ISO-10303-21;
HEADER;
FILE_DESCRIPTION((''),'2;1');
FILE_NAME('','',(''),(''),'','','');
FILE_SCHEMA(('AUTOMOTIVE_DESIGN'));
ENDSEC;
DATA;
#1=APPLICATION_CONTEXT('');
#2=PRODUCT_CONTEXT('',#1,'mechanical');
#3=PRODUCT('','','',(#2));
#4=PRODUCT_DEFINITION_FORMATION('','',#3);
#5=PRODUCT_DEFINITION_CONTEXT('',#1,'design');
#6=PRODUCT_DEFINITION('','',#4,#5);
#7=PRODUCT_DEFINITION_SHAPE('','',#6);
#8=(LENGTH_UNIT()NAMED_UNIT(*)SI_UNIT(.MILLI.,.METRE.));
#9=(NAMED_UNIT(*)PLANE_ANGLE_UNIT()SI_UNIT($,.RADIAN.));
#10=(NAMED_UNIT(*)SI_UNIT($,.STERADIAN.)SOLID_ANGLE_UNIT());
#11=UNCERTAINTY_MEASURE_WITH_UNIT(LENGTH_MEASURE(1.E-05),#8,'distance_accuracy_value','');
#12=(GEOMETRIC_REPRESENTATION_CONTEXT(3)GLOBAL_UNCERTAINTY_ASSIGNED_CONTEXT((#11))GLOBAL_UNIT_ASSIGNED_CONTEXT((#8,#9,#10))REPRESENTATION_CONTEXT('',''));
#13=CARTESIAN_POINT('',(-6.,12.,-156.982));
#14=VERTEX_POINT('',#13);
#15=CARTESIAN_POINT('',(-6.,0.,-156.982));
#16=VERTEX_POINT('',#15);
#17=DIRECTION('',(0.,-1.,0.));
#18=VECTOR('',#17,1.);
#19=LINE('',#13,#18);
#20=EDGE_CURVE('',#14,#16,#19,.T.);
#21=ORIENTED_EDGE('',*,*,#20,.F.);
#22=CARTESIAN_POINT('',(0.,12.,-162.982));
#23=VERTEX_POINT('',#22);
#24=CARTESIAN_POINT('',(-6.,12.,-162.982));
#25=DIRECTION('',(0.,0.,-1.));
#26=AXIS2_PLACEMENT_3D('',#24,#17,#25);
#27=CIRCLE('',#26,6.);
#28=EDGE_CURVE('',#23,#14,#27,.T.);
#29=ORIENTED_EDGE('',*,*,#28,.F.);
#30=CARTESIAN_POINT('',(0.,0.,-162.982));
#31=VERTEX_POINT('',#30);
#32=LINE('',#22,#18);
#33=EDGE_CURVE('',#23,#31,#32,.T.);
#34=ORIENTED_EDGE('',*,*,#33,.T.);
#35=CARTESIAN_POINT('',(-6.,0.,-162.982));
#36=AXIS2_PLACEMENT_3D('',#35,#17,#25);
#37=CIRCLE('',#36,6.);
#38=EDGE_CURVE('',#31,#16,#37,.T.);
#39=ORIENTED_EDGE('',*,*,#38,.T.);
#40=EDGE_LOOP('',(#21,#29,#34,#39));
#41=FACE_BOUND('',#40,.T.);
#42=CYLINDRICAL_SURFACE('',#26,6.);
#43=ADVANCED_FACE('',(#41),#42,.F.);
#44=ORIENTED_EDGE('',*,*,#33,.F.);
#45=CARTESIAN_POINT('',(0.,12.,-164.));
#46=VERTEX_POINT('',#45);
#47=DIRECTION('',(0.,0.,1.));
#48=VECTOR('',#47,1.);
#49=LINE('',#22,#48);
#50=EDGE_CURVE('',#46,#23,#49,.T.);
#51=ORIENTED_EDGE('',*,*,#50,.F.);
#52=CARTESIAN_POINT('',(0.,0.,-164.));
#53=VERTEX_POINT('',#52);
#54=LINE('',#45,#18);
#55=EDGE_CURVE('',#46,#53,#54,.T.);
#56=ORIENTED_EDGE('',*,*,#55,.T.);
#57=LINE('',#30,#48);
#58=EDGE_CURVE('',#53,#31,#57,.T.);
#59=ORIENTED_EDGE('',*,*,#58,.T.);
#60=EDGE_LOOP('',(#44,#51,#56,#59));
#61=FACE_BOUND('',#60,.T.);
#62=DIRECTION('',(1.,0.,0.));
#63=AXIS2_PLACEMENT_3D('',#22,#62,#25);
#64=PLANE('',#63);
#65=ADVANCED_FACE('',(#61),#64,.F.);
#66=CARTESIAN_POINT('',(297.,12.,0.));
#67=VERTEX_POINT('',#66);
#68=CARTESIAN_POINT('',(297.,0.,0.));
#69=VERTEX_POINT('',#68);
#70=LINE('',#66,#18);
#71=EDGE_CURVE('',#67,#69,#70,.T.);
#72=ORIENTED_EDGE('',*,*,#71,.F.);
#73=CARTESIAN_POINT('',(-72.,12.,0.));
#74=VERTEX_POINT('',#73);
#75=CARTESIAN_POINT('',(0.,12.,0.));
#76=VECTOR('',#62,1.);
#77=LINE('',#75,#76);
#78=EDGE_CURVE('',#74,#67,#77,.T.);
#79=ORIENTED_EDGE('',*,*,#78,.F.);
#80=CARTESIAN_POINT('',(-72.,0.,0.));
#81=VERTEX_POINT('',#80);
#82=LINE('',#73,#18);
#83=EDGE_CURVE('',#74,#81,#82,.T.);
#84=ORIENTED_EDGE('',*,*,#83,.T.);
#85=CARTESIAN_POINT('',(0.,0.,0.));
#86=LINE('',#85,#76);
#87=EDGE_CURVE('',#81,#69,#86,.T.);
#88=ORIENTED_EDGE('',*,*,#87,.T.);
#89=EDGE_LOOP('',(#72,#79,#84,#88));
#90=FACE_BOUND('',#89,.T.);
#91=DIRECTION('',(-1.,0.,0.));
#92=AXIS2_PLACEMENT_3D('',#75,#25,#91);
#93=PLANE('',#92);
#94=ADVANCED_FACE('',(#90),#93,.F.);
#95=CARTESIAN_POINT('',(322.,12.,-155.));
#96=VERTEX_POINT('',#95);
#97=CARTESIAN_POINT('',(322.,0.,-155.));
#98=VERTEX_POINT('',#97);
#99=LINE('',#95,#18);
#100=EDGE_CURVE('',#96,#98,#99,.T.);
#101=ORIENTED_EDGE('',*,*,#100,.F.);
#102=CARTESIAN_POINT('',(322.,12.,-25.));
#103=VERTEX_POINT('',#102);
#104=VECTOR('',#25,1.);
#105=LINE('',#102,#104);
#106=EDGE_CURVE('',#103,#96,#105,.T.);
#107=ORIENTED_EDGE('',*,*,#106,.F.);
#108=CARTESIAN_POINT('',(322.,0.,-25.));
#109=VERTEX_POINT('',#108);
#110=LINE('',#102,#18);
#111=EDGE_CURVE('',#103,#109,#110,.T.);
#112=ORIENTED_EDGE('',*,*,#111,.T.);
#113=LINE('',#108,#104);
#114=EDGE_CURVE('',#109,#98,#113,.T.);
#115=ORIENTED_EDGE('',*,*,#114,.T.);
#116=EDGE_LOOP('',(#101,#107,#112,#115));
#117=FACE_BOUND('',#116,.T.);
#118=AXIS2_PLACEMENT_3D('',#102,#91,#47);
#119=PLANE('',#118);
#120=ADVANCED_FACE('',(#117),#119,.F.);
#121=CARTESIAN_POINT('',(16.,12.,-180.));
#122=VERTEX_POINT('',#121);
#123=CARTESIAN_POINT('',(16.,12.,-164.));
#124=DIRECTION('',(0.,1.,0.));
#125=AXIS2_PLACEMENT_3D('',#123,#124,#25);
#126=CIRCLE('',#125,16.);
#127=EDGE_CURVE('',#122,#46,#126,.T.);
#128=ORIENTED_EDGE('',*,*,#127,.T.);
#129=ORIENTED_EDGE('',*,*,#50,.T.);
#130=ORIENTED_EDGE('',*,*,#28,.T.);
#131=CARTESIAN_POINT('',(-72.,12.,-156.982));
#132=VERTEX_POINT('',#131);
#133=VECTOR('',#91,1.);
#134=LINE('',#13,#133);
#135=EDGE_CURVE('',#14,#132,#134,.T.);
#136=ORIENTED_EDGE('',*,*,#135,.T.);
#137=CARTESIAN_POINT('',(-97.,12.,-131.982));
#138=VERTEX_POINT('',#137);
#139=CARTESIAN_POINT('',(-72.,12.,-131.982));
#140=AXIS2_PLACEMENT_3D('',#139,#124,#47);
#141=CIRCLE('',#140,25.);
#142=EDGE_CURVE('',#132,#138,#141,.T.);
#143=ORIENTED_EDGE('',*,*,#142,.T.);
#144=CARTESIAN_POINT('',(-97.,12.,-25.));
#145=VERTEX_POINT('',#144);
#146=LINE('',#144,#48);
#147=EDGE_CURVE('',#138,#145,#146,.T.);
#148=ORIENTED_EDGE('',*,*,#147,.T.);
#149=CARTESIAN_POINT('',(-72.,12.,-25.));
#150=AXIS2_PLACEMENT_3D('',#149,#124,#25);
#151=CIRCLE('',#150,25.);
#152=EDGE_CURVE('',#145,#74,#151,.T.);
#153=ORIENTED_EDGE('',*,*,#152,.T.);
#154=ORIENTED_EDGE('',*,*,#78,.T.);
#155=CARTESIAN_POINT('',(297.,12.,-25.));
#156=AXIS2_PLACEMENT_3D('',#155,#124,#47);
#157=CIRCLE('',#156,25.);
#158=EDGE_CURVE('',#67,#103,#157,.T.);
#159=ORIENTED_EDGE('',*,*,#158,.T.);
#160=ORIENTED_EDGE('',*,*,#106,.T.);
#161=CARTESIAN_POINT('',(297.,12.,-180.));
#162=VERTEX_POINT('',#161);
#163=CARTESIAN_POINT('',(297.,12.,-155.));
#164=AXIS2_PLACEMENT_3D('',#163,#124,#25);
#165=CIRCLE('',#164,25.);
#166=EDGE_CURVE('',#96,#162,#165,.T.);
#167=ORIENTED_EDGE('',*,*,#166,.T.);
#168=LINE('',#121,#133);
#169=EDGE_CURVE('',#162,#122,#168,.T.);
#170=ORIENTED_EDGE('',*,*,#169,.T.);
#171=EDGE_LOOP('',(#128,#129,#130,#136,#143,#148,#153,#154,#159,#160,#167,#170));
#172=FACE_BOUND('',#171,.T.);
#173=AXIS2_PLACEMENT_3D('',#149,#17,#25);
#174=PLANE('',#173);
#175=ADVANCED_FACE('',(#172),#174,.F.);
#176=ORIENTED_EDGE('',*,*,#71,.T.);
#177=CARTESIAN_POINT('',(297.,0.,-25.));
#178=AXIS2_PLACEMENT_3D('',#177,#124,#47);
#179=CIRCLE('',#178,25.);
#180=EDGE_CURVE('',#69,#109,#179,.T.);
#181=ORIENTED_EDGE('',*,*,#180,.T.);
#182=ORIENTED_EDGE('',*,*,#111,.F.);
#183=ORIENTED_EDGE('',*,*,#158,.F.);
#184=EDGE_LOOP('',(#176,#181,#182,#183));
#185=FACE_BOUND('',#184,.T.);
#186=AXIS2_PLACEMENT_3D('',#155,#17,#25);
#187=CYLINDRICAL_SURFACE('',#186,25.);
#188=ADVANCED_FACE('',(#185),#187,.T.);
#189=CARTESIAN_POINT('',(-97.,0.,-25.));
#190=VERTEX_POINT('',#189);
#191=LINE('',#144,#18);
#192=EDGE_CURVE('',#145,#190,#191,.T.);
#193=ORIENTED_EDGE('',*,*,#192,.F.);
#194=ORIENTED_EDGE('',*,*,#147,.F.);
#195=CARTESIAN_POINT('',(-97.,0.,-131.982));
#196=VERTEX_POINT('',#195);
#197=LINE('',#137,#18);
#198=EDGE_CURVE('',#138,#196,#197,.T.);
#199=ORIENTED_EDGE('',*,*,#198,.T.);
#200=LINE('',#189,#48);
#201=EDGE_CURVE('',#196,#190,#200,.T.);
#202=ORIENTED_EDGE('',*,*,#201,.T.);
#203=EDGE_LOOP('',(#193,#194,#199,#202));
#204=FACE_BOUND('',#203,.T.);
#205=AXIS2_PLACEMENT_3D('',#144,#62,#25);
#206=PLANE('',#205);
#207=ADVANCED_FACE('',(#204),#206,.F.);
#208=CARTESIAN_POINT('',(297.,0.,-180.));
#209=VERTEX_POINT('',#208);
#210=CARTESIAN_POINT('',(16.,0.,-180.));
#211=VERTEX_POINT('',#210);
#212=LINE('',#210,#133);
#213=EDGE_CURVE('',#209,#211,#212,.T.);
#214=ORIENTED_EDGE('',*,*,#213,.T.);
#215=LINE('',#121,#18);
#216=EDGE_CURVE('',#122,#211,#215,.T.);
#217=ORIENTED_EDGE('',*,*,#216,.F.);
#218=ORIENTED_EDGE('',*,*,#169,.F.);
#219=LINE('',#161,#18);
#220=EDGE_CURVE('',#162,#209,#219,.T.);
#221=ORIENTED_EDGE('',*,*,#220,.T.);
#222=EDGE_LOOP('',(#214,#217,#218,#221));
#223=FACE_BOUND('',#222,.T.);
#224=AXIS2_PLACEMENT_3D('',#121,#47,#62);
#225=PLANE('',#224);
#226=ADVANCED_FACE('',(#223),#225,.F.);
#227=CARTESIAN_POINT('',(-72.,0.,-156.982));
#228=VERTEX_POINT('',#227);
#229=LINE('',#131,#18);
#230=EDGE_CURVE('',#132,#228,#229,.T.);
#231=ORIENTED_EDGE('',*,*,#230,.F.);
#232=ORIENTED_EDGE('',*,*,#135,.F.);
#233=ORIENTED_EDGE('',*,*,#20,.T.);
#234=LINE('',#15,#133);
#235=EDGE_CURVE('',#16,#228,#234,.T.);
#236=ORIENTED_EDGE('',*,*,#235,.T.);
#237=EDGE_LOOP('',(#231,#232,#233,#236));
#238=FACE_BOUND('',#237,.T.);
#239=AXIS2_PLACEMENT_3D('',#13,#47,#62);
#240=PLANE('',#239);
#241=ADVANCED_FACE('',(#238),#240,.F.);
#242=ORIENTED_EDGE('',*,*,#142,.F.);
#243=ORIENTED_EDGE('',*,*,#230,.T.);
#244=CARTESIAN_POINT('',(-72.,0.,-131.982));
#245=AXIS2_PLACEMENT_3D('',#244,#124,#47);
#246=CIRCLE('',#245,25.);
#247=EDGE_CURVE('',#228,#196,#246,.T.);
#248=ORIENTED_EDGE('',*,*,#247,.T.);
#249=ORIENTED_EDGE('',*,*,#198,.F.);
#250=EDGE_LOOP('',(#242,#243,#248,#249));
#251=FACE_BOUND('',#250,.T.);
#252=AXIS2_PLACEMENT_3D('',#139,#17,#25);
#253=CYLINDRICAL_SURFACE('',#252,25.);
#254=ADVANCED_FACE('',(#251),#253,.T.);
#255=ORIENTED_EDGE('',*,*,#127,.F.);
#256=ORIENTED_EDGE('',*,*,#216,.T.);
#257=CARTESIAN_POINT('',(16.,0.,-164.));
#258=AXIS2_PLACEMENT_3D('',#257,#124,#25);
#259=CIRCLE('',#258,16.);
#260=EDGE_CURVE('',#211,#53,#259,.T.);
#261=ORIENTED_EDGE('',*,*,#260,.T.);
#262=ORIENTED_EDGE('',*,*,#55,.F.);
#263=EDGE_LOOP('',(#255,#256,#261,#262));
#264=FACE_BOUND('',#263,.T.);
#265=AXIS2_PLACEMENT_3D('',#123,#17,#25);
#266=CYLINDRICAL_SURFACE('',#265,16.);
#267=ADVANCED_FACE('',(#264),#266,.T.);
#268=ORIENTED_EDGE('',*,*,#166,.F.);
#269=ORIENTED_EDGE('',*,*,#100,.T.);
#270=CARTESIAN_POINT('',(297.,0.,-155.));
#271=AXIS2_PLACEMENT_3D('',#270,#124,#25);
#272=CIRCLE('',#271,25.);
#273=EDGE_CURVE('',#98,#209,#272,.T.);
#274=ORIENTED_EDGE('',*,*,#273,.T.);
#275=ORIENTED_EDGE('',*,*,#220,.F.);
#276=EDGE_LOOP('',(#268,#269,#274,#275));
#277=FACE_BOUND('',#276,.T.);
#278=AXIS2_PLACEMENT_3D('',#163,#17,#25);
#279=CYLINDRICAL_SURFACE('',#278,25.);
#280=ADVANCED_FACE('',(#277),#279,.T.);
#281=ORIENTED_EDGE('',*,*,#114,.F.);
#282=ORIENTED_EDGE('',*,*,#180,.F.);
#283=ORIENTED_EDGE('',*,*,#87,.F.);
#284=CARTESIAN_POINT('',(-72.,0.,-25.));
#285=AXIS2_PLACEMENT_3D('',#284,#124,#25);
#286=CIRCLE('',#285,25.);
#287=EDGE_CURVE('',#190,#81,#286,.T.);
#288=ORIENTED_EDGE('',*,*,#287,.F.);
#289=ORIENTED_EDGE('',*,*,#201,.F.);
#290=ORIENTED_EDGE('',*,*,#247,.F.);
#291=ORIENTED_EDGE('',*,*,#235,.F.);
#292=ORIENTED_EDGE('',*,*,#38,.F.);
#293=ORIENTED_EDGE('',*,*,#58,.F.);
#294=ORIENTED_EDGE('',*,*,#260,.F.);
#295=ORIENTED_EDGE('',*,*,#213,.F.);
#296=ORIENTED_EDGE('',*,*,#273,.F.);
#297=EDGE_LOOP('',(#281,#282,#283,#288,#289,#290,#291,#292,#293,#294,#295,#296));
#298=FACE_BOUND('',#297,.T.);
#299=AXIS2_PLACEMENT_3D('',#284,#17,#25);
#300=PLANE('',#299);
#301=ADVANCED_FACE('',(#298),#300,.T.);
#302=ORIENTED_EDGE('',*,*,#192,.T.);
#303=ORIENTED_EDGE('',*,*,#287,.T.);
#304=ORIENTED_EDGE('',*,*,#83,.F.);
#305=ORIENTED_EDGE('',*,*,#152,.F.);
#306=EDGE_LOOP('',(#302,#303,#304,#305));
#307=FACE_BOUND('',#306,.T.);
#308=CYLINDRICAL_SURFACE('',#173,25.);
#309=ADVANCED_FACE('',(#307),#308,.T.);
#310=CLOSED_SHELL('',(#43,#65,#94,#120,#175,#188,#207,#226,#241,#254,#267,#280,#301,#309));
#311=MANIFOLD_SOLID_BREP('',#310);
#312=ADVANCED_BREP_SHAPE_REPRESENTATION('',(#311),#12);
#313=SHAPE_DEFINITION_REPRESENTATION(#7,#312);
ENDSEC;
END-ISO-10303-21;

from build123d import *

# Parameters (mm, degrees)
EXTRUDE_1_DEPTH = 12


with BuildPart() as part:
    # Эскиз1 → Бобышка-Вытянуть1 (new body)
    with BuildSketch(Plane(origin=(0, 0, 0), x_dir=(1, 0, 0), z_dir=(0, 1, 0))):
        with BuildLine():
            Line((0, 0), (297, 0))
            ThreePointArc((297, 0), (314.67766953, 7.32233047), (322, 25))
            Line((322, 25), (322, 155))
            ThreePointArc((322, 155), (314.67766953, 172.67766953), (297, 180))
            Line((297, 180), (16, 180))
            ThreePointArc((16, 180), (4.686291501, 175.313708499), (0, 164))
            Line((0, 164), (0, 162.982))
            ThreePointArc((0, 162.982), (-1.757359313, 158.739359313), (-6, 156.982))
            Line((-6, 156.982), (-72, 156.982))
            ThreePointArc((-72, 156.982), (-89.67766953, 149.65966953), (-97, 131.982))
            Line((-97, 131.982), (-97, 25))
            ThreePointArc((-97, 25), (-89.67766953, 7.32233047), (-72, 0))
            Line((-72, 0), (0, 0))
        make_face()
    extrude(amount=EXTRUDE_1_DEPTH)


solid = part.part
